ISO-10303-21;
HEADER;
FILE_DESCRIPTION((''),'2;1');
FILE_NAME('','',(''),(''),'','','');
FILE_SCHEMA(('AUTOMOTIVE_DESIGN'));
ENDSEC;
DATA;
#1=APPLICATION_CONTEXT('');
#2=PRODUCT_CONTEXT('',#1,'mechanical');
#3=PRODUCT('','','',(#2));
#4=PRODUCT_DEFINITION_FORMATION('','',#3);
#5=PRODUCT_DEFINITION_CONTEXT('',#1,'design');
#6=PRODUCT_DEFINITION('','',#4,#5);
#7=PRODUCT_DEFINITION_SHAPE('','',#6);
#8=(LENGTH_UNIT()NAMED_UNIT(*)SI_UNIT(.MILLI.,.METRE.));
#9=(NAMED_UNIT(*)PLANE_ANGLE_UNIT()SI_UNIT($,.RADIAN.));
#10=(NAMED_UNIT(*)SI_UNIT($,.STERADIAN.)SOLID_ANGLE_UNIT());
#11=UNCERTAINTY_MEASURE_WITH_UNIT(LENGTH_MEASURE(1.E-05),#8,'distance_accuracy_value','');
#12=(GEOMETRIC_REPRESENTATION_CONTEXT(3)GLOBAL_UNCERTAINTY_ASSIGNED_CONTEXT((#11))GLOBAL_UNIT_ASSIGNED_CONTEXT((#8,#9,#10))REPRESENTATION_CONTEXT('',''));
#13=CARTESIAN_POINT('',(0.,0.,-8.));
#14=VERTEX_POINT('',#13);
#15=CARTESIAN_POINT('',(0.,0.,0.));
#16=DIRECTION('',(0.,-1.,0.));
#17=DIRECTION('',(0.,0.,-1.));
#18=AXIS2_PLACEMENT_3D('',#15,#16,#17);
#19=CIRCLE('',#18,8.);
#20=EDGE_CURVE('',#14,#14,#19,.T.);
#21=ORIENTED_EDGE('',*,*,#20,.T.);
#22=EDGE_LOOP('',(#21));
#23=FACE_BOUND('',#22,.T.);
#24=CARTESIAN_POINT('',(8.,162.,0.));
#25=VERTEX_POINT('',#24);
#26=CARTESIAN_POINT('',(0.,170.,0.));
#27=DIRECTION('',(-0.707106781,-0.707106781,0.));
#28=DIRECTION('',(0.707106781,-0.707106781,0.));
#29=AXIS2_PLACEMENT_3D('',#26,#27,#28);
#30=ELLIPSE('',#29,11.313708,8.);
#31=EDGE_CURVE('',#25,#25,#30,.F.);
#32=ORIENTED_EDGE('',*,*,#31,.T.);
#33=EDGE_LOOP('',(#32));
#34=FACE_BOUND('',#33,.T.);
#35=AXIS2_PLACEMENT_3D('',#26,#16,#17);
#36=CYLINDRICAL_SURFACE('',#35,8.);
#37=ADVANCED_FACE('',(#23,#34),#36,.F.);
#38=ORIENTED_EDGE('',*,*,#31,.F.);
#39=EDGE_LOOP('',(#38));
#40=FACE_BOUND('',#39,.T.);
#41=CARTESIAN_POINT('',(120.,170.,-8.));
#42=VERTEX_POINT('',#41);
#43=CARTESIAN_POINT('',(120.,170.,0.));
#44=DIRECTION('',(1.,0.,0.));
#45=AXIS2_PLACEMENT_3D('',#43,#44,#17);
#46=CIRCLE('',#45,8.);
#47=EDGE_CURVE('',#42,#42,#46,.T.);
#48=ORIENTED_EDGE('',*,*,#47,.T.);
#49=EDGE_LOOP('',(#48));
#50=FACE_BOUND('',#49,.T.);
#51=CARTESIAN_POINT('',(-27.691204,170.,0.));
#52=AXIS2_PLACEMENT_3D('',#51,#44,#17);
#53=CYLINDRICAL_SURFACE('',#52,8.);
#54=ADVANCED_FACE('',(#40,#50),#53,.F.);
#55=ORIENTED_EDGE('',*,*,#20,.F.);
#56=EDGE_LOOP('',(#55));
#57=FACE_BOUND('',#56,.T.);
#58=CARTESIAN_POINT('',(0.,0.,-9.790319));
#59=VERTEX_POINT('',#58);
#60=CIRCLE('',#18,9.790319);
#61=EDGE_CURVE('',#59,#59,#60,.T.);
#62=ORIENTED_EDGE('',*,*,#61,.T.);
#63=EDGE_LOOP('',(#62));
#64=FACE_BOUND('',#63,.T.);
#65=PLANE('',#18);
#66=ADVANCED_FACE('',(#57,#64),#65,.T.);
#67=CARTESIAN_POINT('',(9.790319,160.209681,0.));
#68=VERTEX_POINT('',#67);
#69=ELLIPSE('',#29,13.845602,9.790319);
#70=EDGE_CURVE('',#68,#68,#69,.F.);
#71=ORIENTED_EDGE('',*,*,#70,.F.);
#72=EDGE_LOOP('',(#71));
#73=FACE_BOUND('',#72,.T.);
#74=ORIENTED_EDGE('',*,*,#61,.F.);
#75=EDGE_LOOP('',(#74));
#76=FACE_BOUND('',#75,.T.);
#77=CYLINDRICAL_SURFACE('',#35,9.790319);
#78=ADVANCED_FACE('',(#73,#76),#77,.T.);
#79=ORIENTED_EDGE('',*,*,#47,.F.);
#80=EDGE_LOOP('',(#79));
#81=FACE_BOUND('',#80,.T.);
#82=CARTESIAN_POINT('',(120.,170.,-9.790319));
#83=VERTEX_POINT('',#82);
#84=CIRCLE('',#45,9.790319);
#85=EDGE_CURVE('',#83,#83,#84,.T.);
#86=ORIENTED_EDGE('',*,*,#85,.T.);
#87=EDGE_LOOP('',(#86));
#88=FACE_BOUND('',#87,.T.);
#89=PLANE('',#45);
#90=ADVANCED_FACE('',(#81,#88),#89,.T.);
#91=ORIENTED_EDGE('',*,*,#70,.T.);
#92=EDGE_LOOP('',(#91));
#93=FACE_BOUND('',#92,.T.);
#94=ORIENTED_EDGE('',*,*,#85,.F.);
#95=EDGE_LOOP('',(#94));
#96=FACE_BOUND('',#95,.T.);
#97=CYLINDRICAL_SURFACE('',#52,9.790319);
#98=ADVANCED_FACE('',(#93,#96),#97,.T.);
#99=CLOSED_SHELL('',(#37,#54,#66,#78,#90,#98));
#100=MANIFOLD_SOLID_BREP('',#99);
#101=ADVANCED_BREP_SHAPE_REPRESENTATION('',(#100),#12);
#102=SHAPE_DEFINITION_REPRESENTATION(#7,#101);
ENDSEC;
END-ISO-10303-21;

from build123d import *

# Parameters (mm, degrees)
SKETCH2_R   = 9.790319171
SKETCH2_R_2 = 8


with BuildPart() as part:
    # Sweep1: sweep along a path in Sketch1
    with BuildLine(Plane.XY) as sweep1_path:
        Line((0, 0), (0, 170))
        Line((0, 170), (120, 170))
    # Sketch2 → Sweep1 (sweep)
    with BuildSketch(Plane(origin=(120, 170, 0), x_dir=(0, 0, -1), z_dir=(1, 0, 0))):
        Circle(SKETCH2_R)
        Circle(SKETCH2_R_2, mode=Mode.SUBTRACT)
    sweep(path=sweep1_path.line, transition=Transition.RIGHT)


solid = part.part
